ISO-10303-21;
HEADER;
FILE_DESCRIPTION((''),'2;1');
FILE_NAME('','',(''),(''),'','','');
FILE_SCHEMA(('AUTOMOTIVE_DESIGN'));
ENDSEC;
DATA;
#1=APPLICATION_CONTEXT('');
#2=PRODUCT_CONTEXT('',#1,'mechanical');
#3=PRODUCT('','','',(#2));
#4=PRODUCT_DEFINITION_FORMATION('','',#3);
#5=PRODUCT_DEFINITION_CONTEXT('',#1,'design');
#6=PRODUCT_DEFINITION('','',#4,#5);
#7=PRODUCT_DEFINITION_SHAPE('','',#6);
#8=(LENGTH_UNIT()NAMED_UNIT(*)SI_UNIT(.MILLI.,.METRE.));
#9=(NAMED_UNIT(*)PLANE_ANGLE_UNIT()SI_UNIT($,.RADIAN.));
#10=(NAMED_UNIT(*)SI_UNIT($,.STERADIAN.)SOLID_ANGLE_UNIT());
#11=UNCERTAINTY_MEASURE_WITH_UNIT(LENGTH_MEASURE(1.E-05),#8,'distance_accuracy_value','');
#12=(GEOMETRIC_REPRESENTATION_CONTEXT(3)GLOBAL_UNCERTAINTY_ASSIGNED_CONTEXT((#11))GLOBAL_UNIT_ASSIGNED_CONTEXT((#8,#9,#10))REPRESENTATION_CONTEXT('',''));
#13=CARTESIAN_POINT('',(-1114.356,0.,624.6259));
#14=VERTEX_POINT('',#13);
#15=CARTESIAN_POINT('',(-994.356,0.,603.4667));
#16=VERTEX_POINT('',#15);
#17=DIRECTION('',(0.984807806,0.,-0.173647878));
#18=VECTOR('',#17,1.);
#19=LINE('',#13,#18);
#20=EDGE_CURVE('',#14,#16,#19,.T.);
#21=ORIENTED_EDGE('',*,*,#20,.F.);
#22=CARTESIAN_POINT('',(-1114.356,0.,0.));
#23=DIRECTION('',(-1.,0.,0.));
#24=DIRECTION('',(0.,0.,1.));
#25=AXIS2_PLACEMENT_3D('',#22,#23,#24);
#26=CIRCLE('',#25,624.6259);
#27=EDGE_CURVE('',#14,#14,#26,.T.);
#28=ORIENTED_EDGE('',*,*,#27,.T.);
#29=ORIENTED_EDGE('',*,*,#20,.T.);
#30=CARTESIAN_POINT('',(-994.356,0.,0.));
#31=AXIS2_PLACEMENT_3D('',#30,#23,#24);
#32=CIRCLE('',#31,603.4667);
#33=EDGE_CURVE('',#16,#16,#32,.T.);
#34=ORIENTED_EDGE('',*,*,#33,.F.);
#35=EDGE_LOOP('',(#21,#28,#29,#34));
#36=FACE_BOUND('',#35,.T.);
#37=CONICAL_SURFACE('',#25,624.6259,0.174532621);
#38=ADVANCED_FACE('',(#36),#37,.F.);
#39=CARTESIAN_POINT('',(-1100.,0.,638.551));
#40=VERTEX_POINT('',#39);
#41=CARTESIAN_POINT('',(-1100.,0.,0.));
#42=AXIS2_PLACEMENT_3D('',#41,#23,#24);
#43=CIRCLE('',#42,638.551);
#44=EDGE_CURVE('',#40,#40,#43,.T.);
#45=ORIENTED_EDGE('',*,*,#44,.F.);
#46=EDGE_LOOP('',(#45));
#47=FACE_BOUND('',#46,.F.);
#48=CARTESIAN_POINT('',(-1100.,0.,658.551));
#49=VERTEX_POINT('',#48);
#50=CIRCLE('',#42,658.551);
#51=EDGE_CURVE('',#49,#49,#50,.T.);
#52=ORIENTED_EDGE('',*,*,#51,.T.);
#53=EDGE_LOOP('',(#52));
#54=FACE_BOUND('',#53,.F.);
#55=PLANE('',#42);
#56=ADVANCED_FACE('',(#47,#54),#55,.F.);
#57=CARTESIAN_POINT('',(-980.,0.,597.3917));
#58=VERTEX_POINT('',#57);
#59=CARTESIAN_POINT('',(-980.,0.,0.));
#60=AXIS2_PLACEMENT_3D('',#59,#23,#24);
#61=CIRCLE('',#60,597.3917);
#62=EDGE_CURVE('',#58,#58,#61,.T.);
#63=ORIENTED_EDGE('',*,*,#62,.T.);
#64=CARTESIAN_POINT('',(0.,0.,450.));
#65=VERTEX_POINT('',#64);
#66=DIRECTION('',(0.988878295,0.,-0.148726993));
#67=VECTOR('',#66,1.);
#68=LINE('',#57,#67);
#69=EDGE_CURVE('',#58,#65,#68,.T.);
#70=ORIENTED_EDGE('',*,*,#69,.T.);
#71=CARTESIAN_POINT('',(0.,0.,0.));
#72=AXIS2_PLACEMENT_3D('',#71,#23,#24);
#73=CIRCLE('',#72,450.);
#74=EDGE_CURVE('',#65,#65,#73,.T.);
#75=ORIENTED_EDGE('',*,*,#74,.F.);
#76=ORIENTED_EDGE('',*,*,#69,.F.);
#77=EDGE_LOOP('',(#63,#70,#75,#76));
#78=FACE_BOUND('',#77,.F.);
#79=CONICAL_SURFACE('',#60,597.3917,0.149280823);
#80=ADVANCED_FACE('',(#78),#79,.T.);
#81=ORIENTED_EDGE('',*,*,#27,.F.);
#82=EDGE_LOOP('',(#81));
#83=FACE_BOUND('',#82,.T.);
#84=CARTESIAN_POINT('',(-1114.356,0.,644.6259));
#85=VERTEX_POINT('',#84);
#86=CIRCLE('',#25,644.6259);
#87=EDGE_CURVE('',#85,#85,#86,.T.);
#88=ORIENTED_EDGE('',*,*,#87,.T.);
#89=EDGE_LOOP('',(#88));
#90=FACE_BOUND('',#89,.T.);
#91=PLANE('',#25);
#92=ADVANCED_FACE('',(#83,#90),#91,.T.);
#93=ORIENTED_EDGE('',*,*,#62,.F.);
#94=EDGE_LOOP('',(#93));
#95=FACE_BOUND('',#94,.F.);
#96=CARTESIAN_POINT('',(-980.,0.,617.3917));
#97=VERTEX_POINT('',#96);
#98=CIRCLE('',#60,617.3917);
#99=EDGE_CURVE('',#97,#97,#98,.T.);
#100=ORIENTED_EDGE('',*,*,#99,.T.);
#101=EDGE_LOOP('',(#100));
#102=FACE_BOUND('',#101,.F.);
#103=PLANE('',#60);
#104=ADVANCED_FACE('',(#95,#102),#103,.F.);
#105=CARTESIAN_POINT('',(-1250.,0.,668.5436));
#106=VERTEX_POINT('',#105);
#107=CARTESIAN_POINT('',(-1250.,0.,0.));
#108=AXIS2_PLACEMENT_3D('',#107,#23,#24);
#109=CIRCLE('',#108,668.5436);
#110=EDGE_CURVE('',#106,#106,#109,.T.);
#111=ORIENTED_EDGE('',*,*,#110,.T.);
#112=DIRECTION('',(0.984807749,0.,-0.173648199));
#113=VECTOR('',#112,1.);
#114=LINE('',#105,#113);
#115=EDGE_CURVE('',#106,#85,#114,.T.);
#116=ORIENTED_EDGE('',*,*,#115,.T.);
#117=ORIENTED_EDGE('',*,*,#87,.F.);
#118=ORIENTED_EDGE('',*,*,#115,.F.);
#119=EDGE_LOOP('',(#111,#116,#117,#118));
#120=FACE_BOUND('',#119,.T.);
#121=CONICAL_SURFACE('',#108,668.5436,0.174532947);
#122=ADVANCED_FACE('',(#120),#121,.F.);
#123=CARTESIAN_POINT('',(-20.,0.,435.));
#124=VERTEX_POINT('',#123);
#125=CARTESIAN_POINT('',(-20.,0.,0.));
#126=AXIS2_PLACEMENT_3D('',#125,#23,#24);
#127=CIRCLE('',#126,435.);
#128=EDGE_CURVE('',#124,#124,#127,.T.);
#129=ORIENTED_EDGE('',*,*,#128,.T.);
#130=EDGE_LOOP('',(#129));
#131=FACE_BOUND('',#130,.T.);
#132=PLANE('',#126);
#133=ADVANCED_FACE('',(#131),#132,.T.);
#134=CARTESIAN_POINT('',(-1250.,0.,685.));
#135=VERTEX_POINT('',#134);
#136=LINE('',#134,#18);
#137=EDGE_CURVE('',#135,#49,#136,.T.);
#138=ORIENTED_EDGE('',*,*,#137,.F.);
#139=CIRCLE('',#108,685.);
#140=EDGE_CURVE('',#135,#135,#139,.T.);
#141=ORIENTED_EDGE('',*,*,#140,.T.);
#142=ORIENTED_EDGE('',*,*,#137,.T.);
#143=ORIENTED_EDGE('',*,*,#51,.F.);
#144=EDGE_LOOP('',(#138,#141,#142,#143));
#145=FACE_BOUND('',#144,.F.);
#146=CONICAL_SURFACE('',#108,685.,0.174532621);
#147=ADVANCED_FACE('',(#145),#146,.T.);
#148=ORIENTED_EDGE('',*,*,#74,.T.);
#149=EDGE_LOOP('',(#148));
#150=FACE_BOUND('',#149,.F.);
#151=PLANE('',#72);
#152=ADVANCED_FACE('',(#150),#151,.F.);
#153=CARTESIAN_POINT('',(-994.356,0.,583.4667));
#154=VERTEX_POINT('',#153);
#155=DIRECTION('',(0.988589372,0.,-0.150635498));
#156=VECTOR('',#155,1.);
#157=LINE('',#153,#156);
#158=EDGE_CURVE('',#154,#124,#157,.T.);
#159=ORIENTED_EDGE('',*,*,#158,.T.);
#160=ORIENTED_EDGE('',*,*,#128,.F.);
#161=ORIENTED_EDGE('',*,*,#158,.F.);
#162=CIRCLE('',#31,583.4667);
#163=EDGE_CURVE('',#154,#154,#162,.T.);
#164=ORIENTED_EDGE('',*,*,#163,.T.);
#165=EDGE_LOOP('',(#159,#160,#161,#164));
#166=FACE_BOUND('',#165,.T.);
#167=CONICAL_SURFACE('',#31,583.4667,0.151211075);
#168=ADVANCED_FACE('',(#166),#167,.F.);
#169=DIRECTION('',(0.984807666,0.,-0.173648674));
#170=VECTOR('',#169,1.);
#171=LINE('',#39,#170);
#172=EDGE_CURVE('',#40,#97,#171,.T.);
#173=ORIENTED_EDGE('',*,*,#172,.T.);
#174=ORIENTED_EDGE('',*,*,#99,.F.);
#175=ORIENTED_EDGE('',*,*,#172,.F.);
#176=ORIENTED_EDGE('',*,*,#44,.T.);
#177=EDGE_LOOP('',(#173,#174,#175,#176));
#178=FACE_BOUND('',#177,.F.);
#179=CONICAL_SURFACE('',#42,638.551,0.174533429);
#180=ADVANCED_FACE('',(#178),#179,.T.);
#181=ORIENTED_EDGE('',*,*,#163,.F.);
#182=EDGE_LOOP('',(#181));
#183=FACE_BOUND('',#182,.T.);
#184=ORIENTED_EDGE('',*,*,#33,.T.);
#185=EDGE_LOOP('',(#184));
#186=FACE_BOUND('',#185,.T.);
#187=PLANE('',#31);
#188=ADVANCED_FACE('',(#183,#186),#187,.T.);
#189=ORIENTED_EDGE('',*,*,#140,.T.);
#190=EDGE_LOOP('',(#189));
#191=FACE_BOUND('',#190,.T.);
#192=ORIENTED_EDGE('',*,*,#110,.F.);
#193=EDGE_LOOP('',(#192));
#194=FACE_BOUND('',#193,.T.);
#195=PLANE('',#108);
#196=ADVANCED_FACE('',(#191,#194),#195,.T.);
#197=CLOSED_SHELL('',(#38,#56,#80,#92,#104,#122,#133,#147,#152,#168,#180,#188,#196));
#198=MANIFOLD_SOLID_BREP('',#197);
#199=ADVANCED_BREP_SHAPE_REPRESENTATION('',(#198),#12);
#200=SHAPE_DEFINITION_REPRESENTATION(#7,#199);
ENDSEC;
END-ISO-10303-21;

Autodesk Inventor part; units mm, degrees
ref_plane "YZ Plane" through (0, 0, 0) normal (1, 0, 0) x (0, 1, 0)
ref_plane "XZ Plane" through (0, 0, 0) normal (0, 1, 0) x (-1, 0, 0)
ref_plane "XY Plane" through (0, 0, 0) normal (0, 0, 1) x (1, 0, 0)
sketch "Boceto1" plane through (0, 0, 0) normal (0, 1, 0) x (-1, 0, 0)
  line L0 (0, 450) -> (0, -450)
  line L1 (1250, 685) -> (1250, -685)
  line L2 (1250, 685) -> (1100, 658.551)
  line L3 (1100, 658.551) -> (1100, 638.551)
  line L4 (1100, 638.551) -> (980, 617.3917)
  line L5 (980, 617.3917) -> (980, 597.3917)
  line L6 (980, 597.3917) -> (0, 450)
  line L7 (1250, 668.5436) -> (1114.356, 644.6259)
  line L8 (1114.356, 644.6259) -> (1114.356, 624.6259)
  line L9 (1114.356, 624.6259) -> (994.356, 603.4667)
  line L10 (994.356, 603.4667) -> (994.356, 583.4667)
  line L11 (994.356, 583.4667) -> (20, 435)
  line L12 (20, 435) -> (20, 0)
  line L13 (0, 0) -> (20, 0)
  line L14 (1250, 685) -> (1250, 668.5436)
  line L15 (0, 0) -> (1250, 0)
  dimension "d0" = 900
  dimension "d1" = 1370
  dimension "d2" = 1250
  dimension "d3" = 100
  dimension "d4" = 100
  dimension "d5" = 150
  dimension "d6" = 20
  dimension "d7" = 120
  dimension "d8" = 20
  dimension "d9" = 20
  dimension "d11" = 100
  dimension "d12" = 100
  dimension "d13" = 20
  dimension "d14" = 20
  dimension "d15" = 20
  dimension "d18" = 20
  dimension "d19" = 25
revolve "Revolución1" add sketch "Boceto1" angle 360 about axis through (0, 0, 0) along (-1, 0, 0) contours L6 L5 L4 L3 L2 L1 L7 L8 L9 L10 L11 L12 L13 L0
properties part number "Tanque" material "Plástico ABS"
